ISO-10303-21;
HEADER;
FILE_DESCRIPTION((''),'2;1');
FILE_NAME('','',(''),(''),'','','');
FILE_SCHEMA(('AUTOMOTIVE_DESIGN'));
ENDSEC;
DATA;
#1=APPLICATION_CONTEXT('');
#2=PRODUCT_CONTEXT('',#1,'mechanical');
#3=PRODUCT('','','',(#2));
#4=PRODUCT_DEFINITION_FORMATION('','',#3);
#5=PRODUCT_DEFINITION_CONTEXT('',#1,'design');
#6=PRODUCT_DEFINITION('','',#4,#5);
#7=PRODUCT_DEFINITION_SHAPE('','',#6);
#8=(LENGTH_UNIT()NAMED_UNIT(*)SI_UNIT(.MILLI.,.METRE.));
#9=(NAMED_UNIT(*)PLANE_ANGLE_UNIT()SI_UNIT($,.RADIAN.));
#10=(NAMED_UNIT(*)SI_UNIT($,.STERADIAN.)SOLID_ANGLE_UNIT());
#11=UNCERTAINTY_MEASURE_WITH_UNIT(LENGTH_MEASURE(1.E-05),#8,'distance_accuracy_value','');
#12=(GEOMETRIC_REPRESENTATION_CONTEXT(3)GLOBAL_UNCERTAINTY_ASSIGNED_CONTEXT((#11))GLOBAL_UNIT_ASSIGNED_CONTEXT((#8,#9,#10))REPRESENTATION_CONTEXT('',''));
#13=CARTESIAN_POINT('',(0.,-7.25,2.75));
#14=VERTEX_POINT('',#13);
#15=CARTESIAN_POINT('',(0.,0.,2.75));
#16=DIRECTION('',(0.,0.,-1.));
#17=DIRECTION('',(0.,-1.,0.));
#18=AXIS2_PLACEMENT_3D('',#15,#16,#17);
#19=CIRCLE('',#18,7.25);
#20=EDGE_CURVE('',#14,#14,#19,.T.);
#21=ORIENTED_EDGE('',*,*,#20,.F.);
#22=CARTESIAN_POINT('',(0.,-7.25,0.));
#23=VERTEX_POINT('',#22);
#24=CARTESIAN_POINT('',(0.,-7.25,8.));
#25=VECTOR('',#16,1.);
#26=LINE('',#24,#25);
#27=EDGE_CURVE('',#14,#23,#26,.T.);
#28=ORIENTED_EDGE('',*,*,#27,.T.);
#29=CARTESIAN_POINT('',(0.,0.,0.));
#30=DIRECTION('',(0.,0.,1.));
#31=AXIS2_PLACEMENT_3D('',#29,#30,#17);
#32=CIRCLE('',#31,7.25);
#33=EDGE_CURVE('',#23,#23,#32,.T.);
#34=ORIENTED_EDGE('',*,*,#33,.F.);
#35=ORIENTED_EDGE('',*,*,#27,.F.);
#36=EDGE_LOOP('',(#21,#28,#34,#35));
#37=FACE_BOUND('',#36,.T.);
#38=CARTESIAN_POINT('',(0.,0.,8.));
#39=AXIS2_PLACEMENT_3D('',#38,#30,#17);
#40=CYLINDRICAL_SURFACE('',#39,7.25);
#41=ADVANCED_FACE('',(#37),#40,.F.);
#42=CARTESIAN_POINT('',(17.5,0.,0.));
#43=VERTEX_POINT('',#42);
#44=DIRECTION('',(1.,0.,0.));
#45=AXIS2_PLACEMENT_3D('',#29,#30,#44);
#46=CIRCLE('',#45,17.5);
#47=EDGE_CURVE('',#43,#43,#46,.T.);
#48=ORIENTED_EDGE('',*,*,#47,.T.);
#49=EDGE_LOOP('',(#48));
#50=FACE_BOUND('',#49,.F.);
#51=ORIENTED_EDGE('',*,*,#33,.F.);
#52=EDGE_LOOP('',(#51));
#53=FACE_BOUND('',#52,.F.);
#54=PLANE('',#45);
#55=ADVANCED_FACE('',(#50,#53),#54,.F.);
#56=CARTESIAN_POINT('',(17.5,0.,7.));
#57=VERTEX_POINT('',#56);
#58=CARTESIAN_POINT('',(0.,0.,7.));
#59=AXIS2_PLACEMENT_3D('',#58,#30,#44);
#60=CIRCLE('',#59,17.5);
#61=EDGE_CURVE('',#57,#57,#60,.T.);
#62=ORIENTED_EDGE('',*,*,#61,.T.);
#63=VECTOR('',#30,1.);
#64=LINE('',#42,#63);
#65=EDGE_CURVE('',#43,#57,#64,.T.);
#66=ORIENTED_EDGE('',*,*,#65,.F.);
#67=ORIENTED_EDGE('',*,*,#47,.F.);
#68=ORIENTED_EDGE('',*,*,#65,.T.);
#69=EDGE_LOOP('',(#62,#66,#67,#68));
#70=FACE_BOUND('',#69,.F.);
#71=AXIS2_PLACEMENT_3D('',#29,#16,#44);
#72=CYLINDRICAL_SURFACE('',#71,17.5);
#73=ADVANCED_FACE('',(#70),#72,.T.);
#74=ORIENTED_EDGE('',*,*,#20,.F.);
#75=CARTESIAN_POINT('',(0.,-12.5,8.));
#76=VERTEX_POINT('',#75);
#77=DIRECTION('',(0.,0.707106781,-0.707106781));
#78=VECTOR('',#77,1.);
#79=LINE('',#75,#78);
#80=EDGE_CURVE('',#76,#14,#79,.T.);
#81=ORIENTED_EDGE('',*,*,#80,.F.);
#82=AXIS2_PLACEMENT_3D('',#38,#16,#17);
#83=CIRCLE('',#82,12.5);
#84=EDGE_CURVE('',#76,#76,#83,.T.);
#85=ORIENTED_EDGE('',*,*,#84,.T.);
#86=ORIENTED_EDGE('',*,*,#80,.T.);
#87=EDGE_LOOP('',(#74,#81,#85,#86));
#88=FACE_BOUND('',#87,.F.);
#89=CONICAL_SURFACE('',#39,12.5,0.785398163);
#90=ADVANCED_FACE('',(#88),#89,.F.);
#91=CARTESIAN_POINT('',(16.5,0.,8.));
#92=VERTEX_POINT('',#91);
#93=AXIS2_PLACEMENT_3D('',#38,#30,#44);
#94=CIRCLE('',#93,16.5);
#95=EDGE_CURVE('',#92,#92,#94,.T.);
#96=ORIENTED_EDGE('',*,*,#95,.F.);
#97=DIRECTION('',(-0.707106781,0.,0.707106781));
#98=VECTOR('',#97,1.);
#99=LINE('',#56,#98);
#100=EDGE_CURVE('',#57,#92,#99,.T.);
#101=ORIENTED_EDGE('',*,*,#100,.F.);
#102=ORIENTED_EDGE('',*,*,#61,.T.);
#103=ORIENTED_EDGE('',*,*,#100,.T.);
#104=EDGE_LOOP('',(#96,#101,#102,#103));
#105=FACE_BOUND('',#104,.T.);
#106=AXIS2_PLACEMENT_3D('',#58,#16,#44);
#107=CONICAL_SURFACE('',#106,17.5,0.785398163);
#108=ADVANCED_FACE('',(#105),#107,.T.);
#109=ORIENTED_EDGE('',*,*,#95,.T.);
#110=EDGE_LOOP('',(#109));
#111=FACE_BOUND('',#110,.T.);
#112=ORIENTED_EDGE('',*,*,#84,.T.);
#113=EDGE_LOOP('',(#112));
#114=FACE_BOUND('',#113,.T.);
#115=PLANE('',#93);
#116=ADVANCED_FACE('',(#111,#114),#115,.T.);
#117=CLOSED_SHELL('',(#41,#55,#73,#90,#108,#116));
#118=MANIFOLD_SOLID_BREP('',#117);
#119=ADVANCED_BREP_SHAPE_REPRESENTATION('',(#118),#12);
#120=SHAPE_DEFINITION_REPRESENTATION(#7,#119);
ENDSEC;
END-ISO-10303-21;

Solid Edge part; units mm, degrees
sketch "Sketch1" plane through (0, 0, 0) normal (0, 0, 1) x (1, 0, 0)
  circle A0 centre (0, 0) radius 17.5
extrude "Protrusion1" add sketch "Sketch1" along normal blind 8
hole "Hole_1" at (0, 0, 8) direction (0, 0, -1) diameter 14.5 end up to next countersink diameter 25 countersink angle 90
chamfer "Chamfer_1" distance 1 angle 45 1 edges at (-17.5, 0, 8)
